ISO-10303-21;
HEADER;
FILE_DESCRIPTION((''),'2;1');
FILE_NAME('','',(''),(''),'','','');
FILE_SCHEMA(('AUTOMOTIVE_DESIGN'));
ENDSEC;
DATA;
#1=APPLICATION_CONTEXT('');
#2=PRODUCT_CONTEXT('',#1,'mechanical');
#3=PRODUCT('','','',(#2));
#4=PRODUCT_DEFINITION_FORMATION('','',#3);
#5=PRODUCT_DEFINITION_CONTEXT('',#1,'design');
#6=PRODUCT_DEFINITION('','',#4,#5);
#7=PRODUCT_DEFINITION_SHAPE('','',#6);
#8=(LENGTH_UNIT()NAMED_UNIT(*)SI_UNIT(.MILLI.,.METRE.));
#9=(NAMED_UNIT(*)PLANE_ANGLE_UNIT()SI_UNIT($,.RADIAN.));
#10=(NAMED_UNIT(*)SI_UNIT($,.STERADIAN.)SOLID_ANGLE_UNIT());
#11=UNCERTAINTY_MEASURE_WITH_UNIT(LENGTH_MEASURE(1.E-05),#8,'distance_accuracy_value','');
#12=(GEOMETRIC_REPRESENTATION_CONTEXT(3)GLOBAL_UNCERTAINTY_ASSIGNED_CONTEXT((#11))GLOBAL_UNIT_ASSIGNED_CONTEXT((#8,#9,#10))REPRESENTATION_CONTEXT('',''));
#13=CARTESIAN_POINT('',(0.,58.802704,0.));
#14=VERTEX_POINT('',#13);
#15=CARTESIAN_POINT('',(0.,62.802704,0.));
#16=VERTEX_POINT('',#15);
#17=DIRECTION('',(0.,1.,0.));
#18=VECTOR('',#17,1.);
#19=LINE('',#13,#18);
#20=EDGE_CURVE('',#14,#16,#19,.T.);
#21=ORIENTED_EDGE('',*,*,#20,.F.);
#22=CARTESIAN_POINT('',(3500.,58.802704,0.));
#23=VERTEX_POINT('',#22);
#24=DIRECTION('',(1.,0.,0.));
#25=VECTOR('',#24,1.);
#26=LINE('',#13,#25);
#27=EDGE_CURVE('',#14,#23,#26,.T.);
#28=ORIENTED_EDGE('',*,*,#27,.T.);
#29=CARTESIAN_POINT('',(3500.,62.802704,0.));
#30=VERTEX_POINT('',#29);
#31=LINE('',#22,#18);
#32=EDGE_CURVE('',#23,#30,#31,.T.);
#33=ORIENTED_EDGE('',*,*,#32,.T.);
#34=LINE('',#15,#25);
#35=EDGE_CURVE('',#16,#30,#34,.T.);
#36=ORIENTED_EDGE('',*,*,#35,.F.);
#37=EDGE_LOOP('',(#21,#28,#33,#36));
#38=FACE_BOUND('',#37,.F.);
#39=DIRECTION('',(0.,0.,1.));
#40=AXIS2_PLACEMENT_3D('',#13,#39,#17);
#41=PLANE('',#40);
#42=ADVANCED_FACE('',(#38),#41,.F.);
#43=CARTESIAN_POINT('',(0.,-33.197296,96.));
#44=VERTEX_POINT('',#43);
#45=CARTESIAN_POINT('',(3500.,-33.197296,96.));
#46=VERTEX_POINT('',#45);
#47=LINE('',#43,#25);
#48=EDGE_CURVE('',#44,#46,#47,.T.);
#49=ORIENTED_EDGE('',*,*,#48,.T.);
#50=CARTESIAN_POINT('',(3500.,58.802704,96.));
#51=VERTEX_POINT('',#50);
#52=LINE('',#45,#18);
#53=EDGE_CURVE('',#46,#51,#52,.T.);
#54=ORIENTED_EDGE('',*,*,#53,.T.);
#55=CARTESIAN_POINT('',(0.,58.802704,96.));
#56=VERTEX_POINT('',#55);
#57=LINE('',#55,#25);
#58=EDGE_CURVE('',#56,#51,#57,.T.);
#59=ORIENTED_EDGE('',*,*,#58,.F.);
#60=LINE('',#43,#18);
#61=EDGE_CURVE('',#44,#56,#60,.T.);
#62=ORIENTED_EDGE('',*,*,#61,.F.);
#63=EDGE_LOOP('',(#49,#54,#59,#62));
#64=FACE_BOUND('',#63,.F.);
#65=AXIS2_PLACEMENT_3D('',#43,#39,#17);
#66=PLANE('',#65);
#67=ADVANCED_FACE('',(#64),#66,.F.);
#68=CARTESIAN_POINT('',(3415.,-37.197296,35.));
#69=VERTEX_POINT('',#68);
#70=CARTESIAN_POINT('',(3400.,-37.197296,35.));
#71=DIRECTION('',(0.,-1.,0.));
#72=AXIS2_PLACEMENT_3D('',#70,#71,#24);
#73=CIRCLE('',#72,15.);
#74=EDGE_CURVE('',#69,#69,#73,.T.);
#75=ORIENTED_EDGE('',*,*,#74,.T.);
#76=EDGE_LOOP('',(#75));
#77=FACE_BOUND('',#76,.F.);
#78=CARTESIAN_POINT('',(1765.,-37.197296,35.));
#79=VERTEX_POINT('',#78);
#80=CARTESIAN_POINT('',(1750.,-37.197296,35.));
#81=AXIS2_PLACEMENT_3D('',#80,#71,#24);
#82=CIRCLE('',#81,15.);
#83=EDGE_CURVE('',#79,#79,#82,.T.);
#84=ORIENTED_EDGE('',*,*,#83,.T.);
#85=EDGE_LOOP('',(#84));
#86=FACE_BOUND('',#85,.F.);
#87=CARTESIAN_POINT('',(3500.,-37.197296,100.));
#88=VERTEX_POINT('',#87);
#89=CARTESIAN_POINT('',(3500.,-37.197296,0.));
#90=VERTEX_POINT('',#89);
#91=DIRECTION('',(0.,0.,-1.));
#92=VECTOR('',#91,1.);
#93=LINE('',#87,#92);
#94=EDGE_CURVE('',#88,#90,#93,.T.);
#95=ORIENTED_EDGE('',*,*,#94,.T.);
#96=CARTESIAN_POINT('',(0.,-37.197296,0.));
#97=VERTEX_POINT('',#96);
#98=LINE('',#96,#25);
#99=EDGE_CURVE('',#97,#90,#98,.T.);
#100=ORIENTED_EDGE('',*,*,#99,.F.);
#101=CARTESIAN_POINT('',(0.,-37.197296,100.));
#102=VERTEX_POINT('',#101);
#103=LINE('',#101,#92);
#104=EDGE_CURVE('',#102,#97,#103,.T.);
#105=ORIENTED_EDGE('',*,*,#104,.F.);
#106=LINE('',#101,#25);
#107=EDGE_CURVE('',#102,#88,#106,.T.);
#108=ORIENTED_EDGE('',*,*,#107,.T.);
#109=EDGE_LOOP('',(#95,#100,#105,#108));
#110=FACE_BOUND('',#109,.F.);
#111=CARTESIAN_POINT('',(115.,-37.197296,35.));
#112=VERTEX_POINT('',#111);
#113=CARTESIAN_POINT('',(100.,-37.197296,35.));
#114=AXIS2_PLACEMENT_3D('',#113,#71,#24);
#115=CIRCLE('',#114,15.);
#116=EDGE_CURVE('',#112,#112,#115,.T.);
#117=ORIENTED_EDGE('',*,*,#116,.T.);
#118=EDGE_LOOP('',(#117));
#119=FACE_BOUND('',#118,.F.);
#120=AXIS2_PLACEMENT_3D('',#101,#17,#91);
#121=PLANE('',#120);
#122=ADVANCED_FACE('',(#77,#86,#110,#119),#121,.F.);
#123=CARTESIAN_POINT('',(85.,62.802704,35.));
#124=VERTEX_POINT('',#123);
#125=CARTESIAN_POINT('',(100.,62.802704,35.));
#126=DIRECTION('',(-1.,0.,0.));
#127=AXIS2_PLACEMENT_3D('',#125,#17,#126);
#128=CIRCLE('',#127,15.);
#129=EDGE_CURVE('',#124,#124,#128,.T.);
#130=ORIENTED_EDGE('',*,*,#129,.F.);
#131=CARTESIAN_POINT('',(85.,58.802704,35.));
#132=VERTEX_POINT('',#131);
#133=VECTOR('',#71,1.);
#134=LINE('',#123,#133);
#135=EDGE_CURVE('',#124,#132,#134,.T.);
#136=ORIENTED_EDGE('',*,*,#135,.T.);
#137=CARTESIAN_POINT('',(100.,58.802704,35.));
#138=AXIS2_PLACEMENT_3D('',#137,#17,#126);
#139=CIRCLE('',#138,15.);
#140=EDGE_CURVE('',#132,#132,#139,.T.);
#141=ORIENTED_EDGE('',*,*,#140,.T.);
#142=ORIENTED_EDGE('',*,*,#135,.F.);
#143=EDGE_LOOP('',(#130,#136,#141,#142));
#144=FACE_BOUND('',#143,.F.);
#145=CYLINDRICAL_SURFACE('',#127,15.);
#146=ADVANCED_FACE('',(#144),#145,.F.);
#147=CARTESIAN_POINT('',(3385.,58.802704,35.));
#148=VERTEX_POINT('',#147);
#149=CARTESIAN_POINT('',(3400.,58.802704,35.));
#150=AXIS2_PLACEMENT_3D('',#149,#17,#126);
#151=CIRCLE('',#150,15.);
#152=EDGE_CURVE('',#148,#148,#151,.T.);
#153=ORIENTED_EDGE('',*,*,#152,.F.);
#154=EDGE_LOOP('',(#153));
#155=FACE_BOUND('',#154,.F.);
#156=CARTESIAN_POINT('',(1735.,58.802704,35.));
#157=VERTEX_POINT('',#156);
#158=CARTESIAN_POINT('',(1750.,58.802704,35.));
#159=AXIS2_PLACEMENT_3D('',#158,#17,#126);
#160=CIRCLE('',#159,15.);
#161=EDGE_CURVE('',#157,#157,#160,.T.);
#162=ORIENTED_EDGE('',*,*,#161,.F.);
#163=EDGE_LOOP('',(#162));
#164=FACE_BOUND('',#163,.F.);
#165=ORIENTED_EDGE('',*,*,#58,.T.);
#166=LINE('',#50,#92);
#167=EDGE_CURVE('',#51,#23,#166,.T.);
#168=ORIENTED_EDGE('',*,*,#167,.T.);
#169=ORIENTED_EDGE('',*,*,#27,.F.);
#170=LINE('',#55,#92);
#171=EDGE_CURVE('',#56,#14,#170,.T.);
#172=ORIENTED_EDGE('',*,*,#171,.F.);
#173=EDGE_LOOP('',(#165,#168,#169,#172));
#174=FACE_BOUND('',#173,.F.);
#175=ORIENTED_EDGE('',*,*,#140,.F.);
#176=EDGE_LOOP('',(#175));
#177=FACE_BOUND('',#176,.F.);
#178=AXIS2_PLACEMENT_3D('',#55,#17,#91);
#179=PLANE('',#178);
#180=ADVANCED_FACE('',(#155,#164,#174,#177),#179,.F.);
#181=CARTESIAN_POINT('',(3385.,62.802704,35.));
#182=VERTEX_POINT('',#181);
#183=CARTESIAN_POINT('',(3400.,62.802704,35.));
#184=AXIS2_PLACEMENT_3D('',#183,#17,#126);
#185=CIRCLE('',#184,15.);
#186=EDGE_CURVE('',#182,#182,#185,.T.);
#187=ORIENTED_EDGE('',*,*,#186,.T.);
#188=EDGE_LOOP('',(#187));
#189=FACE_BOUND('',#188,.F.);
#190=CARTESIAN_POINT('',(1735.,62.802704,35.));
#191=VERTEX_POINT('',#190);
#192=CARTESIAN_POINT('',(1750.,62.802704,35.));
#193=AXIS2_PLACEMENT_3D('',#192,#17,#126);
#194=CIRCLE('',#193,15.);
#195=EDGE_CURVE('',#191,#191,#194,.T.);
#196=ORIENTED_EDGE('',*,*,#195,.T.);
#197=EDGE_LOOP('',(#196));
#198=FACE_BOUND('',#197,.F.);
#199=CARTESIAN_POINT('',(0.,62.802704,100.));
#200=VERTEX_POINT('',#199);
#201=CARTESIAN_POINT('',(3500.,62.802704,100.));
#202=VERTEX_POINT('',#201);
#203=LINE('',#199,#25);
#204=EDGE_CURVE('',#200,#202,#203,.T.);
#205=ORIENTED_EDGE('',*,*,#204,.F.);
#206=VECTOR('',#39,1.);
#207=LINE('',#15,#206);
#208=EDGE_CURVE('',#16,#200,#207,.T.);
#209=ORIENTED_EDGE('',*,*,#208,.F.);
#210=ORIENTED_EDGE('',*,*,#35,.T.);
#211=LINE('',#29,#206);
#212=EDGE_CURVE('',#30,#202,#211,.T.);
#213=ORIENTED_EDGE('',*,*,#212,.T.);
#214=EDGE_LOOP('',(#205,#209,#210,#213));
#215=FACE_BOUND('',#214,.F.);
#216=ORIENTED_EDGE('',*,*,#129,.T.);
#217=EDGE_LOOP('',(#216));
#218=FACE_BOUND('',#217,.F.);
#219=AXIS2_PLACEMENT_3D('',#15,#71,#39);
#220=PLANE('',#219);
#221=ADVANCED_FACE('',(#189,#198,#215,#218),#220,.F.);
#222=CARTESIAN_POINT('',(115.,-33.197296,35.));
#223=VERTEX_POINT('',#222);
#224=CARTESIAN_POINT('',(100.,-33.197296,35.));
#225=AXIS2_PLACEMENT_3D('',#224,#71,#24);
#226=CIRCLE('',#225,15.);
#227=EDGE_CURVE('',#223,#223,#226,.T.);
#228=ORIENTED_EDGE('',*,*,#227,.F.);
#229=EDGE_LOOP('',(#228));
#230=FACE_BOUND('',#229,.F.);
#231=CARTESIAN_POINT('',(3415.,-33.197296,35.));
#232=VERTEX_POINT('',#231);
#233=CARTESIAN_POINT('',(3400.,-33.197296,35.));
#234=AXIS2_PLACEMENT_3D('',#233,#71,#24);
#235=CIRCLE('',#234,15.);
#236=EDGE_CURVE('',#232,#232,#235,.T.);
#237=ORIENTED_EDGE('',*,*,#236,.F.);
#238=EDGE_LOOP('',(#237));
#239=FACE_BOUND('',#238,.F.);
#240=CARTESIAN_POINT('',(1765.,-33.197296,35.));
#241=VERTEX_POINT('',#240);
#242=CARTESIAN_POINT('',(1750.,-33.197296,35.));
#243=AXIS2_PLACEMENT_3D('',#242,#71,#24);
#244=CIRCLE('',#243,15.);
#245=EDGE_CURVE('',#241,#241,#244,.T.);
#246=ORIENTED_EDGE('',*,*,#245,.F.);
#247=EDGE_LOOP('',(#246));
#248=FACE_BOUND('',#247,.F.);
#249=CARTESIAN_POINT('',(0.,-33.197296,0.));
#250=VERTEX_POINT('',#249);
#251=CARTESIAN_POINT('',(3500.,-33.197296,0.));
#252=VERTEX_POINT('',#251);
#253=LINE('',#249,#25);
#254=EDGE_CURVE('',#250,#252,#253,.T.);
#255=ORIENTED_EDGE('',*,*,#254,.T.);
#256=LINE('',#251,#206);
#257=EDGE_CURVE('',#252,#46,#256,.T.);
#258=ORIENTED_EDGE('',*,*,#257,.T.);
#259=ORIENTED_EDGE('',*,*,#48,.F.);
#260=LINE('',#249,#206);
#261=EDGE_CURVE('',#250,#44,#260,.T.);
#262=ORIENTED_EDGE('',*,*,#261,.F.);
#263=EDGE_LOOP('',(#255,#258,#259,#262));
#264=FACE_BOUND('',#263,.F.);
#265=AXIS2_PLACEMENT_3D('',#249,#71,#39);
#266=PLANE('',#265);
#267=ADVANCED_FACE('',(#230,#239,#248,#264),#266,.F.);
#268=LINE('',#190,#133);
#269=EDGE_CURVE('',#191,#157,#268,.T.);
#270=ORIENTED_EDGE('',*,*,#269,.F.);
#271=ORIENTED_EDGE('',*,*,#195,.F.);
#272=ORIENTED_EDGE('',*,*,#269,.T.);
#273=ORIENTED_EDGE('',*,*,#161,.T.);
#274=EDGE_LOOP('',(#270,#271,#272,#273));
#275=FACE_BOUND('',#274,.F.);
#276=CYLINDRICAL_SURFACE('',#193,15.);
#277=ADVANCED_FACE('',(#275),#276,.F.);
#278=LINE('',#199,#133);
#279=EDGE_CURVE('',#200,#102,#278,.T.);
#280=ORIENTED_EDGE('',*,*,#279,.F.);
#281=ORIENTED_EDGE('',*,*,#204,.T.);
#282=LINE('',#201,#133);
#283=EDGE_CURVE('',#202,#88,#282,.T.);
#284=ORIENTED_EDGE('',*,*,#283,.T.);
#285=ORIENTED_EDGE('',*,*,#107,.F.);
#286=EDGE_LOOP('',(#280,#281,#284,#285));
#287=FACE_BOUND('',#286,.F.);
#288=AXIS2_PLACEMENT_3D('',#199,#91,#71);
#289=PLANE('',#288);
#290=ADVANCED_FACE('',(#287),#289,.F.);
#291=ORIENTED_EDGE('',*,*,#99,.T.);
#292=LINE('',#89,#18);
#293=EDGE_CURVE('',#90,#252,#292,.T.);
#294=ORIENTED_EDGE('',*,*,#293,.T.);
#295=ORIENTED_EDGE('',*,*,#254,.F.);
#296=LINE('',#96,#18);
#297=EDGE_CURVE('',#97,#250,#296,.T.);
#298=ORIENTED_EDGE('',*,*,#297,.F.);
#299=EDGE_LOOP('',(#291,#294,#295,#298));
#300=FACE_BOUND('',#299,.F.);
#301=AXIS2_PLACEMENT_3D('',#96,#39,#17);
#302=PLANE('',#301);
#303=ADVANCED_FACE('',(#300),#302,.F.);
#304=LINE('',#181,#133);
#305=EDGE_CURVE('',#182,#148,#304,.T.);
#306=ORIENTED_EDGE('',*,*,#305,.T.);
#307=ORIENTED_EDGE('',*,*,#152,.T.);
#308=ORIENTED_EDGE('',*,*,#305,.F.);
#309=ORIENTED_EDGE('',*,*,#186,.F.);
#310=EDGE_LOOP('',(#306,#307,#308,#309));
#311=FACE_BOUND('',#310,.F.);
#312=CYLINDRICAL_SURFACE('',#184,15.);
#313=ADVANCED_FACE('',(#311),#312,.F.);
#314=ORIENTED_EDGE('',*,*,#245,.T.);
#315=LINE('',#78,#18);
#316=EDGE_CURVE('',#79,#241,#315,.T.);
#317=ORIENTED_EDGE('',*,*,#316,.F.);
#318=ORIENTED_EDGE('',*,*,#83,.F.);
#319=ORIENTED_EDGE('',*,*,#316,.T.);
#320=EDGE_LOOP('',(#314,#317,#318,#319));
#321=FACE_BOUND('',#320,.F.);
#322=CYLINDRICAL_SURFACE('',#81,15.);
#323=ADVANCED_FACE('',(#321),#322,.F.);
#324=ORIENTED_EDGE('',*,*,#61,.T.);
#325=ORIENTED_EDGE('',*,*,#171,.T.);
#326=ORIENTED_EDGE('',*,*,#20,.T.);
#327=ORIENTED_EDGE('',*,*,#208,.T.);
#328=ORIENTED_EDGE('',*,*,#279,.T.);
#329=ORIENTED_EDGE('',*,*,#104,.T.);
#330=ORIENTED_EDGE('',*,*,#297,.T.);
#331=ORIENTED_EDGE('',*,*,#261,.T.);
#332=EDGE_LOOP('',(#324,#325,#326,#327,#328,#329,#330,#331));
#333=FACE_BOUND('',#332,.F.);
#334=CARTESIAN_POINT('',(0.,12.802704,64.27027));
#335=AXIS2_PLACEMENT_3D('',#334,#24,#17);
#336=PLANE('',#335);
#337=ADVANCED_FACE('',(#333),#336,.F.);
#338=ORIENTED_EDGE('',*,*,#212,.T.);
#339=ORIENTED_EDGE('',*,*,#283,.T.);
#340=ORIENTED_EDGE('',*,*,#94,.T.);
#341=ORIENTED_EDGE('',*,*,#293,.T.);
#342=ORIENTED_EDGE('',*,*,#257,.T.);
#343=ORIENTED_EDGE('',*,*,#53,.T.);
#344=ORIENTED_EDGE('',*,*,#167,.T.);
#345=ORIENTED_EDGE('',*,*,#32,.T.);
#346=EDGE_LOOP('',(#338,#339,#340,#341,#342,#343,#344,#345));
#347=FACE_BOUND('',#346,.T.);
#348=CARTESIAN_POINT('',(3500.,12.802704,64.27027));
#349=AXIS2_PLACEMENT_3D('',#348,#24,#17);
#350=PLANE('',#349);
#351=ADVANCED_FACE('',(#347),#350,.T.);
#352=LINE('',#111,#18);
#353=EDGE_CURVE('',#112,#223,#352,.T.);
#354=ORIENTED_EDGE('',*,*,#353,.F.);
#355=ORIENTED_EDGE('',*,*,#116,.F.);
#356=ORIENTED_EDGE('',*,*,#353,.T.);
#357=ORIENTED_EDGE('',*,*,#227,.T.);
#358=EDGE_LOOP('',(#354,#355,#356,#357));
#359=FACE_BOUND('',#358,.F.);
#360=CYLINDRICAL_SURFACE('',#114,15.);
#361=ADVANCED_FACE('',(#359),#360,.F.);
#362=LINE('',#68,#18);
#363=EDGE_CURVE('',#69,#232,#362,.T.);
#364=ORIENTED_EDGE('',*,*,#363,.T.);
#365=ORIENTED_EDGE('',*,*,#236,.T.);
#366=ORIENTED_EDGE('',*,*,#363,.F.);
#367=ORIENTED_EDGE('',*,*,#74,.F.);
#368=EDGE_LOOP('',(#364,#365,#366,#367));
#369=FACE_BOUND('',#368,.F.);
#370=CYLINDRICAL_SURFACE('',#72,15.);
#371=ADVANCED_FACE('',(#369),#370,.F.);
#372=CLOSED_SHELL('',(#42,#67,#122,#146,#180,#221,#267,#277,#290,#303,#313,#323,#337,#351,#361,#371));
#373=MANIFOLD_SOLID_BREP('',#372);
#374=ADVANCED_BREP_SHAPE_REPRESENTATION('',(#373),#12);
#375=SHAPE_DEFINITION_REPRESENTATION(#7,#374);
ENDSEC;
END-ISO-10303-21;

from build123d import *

# Parameters (mm, degrees)
F1_DEPTH = 3500
F2_R     = 15
F3_DEPTH = 4
F4_R     = 15
F5_DEPTH = 5


with BuildPart() as f1:
    # F0 (on Right) → F1 (new body)
    with BuildSketch(Plane.YZ):
        Polygon((-37.197296, 100), (-37.197296, 0), (-33.197296, 0), (-33.197296, 96), (58.802704, 96), (58.802704, 0), (62.802704, 0), (62.802704, 100), align=None)
    extrude(amount=F1_DEPTH)

    # F2 (on face) → F3 (cut)
    with BuildSketch(Plane(origin=(0, 62.802704, 0), x_dir=(-1, 0, 0), z_dir=(0, 1, 0))):
        with Locations((-3400, 35)):
            Circle(F2_R)
        with Locations((-1750, 35)):
            Circle(F2_R)
        with Locations((-100, 35)):
            Circle(F2_R)
    extrude(amount=-F3_DEPTH, mode=Mode.SUBTRACT)

    # F4 (on face) → F5 (cut)
    with BuildSketch(Plane.XZ.offset(37.197296)):
        with Locations((100, 35)):
            Circle(F4_R)
        with Locations((1750, 35)):
            Circle(F4_R)
        with Locations((3400, 35)):
            Circle(F4_R)
    extrude(amount=-F5_DEPTH, mode=Mode.SUBTRACT)


solid = f1.part
